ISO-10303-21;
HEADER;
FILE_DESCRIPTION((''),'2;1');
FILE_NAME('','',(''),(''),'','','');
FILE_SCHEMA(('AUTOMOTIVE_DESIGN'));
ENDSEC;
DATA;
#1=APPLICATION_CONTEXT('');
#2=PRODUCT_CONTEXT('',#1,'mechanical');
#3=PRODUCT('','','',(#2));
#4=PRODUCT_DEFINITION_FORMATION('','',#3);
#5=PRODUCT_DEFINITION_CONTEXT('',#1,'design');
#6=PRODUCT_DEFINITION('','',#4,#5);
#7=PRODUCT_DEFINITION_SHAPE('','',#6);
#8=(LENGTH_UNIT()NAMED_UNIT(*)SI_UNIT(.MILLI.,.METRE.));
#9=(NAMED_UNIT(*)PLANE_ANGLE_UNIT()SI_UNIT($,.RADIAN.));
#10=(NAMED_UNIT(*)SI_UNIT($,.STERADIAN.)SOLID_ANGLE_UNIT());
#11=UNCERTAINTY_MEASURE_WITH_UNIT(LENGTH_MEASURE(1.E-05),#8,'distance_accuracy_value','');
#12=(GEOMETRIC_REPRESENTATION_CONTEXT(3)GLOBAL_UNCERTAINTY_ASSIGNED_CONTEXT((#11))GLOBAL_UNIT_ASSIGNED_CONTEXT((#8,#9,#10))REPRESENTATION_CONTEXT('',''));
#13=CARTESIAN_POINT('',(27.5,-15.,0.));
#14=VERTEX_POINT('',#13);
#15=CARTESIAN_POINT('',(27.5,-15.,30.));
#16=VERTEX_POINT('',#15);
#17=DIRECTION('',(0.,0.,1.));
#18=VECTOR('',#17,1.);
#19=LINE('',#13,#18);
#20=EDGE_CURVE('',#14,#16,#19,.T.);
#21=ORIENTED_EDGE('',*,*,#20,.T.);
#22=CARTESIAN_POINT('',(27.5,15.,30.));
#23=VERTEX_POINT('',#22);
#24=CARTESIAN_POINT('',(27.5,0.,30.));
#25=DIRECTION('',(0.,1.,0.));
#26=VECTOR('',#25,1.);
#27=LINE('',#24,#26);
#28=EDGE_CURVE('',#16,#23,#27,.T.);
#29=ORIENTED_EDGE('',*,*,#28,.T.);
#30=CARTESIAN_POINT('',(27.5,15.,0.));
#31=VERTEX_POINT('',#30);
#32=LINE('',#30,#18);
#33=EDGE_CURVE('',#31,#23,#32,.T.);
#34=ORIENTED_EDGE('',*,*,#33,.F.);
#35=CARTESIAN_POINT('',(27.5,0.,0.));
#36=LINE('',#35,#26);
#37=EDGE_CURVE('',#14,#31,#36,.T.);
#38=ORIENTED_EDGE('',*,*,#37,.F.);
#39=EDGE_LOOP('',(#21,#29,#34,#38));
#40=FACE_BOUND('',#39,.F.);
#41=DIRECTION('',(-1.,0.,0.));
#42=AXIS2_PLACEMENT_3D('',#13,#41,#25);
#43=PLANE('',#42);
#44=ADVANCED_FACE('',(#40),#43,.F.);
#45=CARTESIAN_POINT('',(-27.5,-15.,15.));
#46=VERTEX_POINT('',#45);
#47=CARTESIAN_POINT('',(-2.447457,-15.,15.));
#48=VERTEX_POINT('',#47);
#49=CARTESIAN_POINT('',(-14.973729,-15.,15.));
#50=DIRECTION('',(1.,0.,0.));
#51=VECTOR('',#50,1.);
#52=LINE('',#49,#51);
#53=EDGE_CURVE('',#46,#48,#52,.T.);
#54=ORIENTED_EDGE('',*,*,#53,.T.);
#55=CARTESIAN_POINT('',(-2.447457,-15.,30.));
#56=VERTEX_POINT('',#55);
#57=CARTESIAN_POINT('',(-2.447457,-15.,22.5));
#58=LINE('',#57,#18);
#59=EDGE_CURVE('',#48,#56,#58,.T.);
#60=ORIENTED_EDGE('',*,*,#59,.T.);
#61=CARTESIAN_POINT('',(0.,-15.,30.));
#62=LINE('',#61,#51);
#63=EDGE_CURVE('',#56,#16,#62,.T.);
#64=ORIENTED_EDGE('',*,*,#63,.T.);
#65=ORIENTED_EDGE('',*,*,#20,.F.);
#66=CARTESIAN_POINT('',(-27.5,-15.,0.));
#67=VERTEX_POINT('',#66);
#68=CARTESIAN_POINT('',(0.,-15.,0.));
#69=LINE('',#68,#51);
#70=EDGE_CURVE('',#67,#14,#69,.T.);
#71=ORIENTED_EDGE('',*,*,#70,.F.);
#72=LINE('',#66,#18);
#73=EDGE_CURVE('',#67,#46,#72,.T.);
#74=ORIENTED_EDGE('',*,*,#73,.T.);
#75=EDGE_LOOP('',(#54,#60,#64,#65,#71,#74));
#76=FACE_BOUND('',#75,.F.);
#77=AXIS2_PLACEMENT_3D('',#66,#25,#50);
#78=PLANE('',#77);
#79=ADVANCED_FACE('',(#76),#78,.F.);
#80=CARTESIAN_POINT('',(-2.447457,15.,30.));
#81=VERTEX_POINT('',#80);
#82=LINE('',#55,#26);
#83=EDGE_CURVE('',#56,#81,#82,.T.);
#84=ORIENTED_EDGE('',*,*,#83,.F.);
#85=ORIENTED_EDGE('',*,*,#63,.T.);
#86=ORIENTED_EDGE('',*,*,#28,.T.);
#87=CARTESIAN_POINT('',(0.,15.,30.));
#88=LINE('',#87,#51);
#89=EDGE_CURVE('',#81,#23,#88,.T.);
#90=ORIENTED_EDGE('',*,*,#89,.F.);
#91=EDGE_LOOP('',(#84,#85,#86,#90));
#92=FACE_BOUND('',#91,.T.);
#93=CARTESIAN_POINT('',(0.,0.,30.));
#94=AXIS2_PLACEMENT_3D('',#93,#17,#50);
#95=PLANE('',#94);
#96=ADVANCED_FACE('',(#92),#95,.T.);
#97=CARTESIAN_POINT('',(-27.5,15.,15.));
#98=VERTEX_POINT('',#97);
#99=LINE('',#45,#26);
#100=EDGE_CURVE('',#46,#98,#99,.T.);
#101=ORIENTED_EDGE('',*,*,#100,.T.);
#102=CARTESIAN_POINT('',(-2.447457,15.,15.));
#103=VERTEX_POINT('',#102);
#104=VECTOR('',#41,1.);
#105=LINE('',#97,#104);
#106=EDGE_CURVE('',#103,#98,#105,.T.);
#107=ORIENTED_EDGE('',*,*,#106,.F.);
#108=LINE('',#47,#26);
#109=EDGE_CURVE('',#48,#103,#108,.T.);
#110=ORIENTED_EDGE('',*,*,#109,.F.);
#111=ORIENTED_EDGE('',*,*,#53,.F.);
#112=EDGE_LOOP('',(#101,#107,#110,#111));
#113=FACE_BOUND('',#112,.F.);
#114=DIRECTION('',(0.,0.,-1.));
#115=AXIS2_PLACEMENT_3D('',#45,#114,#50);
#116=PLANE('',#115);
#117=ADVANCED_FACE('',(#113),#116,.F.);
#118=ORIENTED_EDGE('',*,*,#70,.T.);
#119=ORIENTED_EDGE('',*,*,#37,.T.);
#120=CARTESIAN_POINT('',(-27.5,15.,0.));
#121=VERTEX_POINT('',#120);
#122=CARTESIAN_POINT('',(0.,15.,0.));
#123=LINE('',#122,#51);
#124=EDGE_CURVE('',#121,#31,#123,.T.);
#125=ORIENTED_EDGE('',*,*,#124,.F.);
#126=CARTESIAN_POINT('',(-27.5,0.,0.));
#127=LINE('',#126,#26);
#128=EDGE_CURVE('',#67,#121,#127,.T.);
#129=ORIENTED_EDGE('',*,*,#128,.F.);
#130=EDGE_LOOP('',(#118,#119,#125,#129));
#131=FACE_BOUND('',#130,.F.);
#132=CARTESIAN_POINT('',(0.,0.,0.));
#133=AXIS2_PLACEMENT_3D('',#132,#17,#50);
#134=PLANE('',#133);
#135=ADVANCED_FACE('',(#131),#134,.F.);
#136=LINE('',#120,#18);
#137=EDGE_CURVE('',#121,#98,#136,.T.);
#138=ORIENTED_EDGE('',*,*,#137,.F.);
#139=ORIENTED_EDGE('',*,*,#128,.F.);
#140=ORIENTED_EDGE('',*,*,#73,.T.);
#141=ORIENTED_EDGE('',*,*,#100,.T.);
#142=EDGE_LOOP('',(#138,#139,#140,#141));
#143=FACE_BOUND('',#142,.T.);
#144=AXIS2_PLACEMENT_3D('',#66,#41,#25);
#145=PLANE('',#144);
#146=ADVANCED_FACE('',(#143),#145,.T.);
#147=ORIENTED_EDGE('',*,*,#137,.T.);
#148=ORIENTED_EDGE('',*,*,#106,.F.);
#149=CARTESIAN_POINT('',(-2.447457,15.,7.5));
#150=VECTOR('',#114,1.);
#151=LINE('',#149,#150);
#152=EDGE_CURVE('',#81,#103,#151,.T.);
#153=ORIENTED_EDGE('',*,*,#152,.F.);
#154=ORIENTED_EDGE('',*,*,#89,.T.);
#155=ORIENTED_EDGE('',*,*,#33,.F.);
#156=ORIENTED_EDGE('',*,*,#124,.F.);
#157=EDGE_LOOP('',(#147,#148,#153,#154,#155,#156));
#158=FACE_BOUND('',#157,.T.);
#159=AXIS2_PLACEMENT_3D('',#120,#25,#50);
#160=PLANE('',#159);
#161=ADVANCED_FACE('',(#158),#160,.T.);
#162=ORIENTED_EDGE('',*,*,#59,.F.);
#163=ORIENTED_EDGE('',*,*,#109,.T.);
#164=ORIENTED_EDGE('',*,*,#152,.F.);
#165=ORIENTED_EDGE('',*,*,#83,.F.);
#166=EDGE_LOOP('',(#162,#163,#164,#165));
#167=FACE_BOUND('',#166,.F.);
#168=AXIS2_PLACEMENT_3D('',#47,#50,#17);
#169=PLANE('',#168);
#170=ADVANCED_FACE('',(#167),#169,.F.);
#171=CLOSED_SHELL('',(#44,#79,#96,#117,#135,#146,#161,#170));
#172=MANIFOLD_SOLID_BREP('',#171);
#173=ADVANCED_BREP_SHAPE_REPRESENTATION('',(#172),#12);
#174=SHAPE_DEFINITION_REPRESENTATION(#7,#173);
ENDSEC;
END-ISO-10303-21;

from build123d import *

# Parameters (mm, degrees)
F0_W     = 55
F0_H     = 30
F1_DEPTH = 30
F2_W     = 25.0525429472
F2_H     = 15
F3_DEPTH = 30.001


with BuildPart() as f1:
    # F0 (on Top) → F1 (new body)
    with BuildSketch(Plane.XY):
        Rectangle(F0_W, F0_H)
    extrude(amount=F1_DEPTH)

    # F2 (on face) → F3 (cut, through all)
    with BuildSketch(Plane.XZ.offset(15)):
        with Locations((-14.9737285264, 22.5)):
            Rectangle(F2_W, F2_H)
    extrude(amount=-F3_DEPTH, mode=Mode.SUBTRACT)


solid = f1.part
